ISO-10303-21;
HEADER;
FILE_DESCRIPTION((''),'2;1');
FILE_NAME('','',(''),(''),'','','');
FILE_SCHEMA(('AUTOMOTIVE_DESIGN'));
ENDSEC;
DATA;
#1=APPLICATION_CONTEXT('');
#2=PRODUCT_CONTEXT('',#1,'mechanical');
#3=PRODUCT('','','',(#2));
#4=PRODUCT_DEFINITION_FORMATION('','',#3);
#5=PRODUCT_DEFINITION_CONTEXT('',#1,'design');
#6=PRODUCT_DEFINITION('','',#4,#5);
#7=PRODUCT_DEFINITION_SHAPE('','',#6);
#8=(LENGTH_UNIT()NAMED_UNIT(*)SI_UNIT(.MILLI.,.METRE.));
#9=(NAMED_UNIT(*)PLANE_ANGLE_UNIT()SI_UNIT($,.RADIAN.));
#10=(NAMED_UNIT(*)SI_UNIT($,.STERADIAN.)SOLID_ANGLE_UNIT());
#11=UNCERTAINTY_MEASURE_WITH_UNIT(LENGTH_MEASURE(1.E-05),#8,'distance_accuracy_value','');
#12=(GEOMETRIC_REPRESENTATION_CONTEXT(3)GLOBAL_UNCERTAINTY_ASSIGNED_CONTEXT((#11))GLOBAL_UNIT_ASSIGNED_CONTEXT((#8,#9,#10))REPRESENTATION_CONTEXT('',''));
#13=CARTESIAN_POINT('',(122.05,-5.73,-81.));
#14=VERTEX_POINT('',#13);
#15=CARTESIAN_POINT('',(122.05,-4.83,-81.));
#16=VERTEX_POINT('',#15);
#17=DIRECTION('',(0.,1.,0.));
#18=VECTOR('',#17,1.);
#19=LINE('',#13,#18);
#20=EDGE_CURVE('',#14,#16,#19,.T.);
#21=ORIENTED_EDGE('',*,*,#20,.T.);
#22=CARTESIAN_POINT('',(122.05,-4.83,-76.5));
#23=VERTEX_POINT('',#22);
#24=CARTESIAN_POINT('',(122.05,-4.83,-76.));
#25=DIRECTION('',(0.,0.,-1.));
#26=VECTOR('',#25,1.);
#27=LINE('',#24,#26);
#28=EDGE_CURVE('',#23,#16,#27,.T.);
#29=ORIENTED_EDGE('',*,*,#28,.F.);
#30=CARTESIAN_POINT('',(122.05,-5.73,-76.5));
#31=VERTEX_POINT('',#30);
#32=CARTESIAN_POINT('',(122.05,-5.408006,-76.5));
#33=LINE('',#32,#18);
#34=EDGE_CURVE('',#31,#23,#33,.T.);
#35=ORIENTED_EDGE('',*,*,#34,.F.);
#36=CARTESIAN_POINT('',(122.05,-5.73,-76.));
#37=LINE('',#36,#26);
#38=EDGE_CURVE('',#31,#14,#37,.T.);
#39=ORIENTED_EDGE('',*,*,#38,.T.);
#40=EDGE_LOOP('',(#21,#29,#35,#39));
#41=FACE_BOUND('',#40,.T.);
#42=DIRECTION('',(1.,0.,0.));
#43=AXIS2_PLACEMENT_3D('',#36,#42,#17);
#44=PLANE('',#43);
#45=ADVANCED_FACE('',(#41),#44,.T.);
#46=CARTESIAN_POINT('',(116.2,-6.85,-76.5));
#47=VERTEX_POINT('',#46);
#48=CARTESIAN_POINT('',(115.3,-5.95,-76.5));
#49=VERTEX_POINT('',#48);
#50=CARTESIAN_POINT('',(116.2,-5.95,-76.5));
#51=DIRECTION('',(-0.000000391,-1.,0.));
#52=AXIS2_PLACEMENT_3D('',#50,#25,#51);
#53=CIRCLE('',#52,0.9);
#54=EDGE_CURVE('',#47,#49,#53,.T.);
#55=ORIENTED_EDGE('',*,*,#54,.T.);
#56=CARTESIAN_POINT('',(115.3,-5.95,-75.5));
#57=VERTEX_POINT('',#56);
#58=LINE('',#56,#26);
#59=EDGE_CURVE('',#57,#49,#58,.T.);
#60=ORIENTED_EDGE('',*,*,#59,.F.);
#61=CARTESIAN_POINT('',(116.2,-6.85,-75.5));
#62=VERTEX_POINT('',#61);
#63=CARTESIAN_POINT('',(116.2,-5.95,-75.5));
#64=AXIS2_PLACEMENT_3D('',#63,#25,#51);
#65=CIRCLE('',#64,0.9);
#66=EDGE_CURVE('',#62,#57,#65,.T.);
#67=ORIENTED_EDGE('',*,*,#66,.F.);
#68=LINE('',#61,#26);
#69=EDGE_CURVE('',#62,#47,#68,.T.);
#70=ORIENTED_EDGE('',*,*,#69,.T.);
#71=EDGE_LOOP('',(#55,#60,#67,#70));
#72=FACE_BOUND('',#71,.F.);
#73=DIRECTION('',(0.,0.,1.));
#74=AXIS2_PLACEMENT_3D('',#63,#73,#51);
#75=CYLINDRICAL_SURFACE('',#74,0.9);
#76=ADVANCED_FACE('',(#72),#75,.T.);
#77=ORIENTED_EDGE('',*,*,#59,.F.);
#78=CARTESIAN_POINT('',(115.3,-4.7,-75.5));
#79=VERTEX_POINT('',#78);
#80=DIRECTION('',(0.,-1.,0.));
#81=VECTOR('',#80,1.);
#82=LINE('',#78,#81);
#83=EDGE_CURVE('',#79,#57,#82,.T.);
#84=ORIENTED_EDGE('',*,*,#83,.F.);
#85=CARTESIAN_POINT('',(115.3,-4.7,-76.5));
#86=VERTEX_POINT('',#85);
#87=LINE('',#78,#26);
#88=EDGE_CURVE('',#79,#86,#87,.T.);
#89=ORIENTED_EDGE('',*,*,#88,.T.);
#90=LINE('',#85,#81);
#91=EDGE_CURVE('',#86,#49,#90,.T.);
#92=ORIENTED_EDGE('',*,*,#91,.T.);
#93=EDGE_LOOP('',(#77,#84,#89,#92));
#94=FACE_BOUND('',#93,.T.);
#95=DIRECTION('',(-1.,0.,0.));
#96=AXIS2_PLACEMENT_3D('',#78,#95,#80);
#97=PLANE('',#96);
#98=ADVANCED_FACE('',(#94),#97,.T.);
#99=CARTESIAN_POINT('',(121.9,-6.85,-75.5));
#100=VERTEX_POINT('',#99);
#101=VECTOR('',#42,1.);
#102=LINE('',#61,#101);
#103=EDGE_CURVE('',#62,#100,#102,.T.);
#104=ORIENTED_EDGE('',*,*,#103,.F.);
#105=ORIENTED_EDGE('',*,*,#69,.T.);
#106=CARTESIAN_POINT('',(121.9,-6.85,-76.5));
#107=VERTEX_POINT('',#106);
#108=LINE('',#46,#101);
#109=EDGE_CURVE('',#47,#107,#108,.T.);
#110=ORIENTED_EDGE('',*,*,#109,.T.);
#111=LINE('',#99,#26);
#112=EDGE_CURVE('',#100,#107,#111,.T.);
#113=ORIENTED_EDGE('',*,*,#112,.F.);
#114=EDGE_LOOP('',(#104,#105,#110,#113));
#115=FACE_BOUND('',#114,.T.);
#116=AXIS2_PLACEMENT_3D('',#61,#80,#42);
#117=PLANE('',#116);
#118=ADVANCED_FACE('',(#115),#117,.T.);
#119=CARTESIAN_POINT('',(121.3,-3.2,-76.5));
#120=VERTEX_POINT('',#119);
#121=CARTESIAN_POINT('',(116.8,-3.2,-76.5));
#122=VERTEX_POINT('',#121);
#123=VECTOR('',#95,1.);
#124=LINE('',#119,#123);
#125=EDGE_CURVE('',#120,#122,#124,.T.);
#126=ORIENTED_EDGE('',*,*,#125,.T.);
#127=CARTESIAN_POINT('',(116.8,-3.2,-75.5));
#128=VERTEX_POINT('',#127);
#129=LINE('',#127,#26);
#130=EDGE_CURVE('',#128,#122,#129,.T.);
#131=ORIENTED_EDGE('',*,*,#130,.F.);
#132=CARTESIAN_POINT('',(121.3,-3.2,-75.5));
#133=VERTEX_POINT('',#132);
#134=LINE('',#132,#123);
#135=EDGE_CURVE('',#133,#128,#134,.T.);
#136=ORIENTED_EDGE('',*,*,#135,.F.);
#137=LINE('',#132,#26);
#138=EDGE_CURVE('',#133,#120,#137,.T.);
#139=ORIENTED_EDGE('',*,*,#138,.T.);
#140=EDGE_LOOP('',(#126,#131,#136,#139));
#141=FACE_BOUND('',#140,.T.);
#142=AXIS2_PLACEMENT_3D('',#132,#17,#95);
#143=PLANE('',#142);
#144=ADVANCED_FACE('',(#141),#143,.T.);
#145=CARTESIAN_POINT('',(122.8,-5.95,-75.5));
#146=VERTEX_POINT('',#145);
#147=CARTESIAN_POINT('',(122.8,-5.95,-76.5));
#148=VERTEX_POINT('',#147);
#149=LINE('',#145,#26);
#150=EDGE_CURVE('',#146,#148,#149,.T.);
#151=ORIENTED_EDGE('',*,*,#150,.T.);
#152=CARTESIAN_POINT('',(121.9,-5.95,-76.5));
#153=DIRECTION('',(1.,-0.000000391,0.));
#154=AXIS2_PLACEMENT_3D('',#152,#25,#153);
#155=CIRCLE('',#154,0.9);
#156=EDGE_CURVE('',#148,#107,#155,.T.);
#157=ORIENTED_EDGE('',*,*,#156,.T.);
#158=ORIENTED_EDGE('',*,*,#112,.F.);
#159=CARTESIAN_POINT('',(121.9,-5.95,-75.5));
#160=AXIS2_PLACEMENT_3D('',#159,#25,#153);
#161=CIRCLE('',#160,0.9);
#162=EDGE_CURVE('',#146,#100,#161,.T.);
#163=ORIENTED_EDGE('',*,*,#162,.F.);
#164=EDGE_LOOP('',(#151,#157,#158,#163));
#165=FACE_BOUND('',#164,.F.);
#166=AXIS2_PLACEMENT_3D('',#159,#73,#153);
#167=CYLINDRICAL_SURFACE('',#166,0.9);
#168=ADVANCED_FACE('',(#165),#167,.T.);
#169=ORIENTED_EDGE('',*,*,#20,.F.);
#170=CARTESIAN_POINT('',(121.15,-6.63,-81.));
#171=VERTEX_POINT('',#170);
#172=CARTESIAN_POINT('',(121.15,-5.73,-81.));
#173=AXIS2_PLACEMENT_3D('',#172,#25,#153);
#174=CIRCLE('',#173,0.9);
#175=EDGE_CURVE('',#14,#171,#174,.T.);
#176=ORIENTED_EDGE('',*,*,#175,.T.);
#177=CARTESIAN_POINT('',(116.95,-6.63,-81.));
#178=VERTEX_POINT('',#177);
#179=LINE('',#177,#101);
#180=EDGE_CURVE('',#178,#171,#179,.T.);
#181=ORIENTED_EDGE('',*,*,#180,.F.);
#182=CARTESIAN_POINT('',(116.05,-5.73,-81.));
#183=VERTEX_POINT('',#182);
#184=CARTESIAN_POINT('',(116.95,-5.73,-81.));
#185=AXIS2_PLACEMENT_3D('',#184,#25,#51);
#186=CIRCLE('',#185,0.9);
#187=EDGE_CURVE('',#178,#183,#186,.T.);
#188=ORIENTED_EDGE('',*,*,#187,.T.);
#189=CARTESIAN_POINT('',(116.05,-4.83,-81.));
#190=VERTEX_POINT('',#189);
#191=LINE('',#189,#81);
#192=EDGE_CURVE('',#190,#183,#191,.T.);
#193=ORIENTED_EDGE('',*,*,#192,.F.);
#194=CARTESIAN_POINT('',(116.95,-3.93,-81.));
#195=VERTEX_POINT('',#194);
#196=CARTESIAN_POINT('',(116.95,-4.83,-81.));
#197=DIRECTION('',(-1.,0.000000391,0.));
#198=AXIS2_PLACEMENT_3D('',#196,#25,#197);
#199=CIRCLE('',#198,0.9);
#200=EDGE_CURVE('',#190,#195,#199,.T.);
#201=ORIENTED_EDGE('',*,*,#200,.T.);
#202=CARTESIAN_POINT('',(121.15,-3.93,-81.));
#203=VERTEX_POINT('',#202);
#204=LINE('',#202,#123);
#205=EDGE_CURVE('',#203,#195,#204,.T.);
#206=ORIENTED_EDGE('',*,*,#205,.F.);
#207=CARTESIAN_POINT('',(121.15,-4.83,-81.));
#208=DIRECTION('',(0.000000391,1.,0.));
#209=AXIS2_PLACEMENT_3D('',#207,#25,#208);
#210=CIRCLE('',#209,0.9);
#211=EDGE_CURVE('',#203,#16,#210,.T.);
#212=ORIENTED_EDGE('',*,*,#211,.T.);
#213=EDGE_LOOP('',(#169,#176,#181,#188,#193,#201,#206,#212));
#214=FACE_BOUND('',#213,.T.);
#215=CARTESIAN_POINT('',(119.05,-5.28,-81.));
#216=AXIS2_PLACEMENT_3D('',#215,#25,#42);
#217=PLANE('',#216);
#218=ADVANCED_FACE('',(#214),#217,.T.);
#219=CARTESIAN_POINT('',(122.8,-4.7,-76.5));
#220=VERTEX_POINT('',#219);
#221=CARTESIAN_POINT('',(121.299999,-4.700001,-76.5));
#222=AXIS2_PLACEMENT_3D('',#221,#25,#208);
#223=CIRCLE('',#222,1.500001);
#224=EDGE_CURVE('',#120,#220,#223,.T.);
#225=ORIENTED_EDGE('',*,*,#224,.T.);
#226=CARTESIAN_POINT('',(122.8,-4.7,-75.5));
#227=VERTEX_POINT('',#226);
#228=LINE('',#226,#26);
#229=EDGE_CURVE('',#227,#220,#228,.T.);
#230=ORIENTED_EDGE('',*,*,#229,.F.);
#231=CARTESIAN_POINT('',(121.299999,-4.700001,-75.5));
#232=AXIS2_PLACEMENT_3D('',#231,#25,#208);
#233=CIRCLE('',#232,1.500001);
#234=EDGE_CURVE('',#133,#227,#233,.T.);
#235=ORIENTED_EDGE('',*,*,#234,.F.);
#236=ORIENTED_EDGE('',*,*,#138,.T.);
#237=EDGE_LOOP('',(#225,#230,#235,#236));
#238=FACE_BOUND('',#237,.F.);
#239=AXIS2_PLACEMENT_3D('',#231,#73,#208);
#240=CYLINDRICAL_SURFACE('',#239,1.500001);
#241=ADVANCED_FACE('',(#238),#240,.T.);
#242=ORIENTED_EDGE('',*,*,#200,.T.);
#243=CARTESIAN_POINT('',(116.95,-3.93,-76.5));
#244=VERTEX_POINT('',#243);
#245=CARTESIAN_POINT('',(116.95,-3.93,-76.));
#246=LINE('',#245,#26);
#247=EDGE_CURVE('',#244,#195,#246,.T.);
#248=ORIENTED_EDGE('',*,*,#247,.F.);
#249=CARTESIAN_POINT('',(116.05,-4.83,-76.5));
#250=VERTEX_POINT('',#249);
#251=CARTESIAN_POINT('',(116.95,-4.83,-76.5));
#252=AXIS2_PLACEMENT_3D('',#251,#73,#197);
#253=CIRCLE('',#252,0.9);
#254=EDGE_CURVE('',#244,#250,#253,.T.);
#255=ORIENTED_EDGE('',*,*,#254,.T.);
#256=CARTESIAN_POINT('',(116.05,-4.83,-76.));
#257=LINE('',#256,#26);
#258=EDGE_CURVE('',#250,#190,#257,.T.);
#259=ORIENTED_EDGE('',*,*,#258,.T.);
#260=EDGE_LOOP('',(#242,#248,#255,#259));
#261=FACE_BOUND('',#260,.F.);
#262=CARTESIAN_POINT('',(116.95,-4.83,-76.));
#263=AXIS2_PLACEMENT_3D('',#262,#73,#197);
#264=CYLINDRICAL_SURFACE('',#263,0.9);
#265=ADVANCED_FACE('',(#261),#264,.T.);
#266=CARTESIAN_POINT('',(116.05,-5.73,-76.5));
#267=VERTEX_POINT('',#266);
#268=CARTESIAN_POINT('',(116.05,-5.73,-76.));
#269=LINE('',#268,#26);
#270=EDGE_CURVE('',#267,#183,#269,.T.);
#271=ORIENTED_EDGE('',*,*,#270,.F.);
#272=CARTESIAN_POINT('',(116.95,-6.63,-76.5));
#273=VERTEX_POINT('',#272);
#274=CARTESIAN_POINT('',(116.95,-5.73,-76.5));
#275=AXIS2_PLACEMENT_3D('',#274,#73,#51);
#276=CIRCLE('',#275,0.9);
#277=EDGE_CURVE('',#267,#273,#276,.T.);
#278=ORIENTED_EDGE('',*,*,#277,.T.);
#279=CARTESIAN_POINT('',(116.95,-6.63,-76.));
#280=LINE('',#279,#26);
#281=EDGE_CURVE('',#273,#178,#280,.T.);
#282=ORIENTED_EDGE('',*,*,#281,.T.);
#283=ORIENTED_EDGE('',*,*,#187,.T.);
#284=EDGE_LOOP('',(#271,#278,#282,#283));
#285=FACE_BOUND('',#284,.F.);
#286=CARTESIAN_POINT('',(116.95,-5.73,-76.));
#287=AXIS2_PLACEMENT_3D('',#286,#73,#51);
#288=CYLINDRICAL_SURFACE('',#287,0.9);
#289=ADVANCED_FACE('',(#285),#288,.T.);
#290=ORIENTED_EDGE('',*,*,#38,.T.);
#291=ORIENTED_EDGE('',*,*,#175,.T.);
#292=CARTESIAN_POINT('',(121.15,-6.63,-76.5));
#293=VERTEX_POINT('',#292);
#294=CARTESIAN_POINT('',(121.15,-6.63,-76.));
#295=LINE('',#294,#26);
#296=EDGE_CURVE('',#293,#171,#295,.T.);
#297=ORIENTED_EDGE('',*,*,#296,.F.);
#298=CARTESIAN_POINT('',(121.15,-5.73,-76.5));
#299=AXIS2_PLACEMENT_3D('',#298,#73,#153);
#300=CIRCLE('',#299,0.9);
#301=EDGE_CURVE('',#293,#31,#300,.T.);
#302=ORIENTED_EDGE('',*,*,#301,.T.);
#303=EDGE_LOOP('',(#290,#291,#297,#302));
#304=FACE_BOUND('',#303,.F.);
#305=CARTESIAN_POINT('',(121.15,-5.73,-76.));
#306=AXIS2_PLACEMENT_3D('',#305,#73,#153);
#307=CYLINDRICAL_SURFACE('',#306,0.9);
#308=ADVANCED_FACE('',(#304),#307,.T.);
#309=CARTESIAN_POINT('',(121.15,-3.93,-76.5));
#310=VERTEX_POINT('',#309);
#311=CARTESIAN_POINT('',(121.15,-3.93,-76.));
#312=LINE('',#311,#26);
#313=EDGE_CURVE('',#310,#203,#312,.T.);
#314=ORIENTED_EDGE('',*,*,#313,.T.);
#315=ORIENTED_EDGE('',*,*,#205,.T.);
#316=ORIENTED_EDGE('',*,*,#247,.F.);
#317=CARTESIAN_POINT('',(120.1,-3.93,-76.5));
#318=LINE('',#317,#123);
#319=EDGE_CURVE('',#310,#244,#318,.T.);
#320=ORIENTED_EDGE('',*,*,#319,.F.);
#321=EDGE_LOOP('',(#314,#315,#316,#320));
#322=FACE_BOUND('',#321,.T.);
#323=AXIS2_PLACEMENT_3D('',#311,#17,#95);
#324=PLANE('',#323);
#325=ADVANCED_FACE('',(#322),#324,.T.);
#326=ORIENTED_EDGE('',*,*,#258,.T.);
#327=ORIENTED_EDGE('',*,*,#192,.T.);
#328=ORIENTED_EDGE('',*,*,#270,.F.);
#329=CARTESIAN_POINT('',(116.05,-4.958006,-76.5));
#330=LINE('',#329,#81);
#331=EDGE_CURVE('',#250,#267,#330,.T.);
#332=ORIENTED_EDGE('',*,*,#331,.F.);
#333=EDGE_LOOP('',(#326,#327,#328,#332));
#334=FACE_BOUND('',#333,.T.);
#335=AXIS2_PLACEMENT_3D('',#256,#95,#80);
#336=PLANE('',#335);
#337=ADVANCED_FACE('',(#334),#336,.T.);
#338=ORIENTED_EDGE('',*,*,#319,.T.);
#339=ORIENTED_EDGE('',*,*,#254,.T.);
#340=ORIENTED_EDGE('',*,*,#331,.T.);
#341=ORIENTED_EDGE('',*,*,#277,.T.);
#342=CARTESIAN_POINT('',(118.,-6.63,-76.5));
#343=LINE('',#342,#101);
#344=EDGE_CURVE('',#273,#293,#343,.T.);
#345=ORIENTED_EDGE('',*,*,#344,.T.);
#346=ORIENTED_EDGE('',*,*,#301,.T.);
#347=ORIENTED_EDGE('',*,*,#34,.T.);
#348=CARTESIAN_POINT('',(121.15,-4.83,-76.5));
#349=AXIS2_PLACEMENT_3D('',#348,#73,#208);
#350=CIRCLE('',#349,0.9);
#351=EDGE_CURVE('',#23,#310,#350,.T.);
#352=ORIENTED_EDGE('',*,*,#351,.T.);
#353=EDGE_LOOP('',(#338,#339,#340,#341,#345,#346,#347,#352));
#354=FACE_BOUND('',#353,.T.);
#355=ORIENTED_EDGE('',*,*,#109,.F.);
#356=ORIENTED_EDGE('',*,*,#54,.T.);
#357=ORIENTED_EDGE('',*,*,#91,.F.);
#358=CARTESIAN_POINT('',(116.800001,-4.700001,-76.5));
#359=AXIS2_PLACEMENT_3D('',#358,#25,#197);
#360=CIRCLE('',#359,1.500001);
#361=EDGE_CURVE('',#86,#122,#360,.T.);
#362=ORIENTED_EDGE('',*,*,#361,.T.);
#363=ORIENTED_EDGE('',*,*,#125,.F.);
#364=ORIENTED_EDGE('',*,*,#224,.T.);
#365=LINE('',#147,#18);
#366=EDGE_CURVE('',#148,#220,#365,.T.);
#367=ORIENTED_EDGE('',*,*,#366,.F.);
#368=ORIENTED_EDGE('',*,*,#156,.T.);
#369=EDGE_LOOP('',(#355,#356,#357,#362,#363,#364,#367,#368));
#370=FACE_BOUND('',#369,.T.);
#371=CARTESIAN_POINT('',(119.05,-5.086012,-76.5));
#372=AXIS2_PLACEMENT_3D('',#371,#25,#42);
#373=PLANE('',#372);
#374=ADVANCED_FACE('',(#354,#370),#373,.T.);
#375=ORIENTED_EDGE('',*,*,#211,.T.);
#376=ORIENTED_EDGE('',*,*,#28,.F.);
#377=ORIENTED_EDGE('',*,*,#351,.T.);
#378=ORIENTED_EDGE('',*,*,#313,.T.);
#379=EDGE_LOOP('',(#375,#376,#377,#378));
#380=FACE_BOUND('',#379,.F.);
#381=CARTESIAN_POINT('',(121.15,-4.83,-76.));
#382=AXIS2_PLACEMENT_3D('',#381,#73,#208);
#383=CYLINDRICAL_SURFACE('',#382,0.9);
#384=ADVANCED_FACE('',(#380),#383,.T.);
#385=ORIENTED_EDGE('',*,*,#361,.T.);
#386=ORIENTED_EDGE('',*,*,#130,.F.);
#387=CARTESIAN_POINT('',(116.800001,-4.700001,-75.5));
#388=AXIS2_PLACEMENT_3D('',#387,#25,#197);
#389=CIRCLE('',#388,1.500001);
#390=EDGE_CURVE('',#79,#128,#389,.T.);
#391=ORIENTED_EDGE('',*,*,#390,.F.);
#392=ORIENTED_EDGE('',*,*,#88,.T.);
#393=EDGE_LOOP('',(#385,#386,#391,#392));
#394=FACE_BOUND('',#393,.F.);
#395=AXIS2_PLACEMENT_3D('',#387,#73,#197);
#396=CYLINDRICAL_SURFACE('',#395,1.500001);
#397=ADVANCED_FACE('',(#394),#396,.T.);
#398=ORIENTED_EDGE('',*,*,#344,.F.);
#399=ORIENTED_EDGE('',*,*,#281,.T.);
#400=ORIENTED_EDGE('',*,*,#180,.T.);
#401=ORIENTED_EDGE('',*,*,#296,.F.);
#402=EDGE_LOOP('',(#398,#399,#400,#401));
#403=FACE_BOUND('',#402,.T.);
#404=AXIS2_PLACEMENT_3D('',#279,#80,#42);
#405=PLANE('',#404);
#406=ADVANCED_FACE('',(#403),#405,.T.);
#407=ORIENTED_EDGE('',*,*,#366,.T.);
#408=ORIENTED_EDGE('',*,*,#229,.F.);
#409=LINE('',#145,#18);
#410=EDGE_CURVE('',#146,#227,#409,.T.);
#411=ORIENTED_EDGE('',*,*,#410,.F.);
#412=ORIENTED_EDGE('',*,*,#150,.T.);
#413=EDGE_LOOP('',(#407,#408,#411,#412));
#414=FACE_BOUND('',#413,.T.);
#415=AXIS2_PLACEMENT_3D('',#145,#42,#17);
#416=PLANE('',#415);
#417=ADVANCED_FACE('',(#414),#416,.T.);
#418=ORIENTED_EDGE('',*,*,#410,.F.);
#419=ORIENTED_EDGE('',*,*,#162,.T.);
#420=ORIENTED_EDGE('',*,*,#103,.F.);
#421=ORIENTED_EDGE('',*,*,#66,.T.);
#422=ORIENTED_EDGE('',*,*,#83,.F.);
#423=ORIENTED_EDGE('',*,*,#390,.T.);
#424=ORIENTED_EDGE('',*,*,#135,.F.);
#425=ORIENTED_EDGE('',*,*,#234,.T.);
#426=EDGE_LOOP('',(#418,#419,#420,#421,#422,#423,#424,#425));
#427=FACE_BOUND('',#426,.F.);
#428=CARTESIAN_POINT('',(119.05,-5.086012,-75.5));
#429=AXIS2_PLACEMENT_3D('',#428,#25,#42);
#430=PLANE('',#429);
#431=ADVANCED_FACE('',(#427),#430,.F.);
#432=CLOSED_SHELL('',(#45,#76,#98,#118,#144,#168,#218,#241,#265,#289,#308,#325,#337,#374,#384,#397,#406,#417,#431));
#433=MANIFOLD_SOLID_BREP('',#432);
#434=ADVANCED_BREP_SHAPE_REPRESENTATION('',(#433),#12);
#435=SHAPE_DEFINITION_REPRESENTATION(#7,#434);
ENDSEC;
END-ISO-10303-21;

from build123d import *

# Parameters (mm, degrees)
EXTRUDE015_DEPTH          = 1
EXTRUDE014_DEPTH          = 5
FUSION018_PLACEMENT_ANGLE = 90


with BuildPart() as extrude015:
    # Sketch015 → Extrude015 (new body)
    with BuildSketch(Plane.XZ):
        with BuildLine():
            ThreePointArc((11.7, 16.35), (11.063604, 16.086396), (10.8, 15.45))
            Line((10.8, 14.2), (10.8, 15.45))
            ThreePointArc((10.8, 14.2), (11.23934, 13.13934), (12.3, 12.7))
            Line((16.8, 12.7), (12.3, 12.7))
            ThreePointArc((16.8, 12.7), (17.86066, 13.13934), (18.3, 14.2))
            Line((18.3, 15.45), (18.3, 14.2))
            ThreePointArc((18.3, 15.45), (18.036396, 16.086396), (17.4, 16.35))
            Line((11.7, 16.35), (17.4, 16.35))
        make_face()
    extrude(amount=EXTRUDE015_DEPTH)


with BuildPart() as extrude015_1:
    # Extrude015 placement: moved
    add(extrude015.part.moved(Location((0, 2.5, 0))))


with BuildPart() as button1:
    # Sketch014 → Extrude014 (new body)
    with BuildSketch(Plane.XZ):
        with BuildLine():
            ThreePointArc((12.75, 16.23), (12.113604, 15.966396), (11.85, 15.33))
            Line((11.85, 14.43), (11.85, 15.33))
            ThreePointArc((11.85, 14.43), (12.113604, 13.793604), (12.75, 13.53))
            Line((16.95, 13.53), (12.75, 13.53))
            ThreePointArc((16.95, 13.53), (17.586396, 13.793604), (17.85, 14.43))
            Line((17.85, 15.33), (17.85, 14.43))
            ThreePointArc((17.85, 15.33), (17.586396, 15.966396), (16.95, 16.23))
            Line((12.75, 16.23), (16.95, 16.23))
        make_face()
    extrude(amount=EXTRUDE014_DEPTH)


with BuildPart() as button1_1:
    # Extrude014 placement: moved
    add(button1.part.moved(Location((-0.3, 2, -0.1))))

    # Fusion018: union Extrude015
    add(extrude015_1.part)


with BuildPart() as button1_2:
    # Fusion018 placement: moved
    add(button1_1.part.moved(Location((104.5, 9.5, -78))).rotate(Axis((104.5, 9.5, -78), (1, 0, 0)), FUSION018_PLACEMENT_ANGLE))


solid = button1_2.part
